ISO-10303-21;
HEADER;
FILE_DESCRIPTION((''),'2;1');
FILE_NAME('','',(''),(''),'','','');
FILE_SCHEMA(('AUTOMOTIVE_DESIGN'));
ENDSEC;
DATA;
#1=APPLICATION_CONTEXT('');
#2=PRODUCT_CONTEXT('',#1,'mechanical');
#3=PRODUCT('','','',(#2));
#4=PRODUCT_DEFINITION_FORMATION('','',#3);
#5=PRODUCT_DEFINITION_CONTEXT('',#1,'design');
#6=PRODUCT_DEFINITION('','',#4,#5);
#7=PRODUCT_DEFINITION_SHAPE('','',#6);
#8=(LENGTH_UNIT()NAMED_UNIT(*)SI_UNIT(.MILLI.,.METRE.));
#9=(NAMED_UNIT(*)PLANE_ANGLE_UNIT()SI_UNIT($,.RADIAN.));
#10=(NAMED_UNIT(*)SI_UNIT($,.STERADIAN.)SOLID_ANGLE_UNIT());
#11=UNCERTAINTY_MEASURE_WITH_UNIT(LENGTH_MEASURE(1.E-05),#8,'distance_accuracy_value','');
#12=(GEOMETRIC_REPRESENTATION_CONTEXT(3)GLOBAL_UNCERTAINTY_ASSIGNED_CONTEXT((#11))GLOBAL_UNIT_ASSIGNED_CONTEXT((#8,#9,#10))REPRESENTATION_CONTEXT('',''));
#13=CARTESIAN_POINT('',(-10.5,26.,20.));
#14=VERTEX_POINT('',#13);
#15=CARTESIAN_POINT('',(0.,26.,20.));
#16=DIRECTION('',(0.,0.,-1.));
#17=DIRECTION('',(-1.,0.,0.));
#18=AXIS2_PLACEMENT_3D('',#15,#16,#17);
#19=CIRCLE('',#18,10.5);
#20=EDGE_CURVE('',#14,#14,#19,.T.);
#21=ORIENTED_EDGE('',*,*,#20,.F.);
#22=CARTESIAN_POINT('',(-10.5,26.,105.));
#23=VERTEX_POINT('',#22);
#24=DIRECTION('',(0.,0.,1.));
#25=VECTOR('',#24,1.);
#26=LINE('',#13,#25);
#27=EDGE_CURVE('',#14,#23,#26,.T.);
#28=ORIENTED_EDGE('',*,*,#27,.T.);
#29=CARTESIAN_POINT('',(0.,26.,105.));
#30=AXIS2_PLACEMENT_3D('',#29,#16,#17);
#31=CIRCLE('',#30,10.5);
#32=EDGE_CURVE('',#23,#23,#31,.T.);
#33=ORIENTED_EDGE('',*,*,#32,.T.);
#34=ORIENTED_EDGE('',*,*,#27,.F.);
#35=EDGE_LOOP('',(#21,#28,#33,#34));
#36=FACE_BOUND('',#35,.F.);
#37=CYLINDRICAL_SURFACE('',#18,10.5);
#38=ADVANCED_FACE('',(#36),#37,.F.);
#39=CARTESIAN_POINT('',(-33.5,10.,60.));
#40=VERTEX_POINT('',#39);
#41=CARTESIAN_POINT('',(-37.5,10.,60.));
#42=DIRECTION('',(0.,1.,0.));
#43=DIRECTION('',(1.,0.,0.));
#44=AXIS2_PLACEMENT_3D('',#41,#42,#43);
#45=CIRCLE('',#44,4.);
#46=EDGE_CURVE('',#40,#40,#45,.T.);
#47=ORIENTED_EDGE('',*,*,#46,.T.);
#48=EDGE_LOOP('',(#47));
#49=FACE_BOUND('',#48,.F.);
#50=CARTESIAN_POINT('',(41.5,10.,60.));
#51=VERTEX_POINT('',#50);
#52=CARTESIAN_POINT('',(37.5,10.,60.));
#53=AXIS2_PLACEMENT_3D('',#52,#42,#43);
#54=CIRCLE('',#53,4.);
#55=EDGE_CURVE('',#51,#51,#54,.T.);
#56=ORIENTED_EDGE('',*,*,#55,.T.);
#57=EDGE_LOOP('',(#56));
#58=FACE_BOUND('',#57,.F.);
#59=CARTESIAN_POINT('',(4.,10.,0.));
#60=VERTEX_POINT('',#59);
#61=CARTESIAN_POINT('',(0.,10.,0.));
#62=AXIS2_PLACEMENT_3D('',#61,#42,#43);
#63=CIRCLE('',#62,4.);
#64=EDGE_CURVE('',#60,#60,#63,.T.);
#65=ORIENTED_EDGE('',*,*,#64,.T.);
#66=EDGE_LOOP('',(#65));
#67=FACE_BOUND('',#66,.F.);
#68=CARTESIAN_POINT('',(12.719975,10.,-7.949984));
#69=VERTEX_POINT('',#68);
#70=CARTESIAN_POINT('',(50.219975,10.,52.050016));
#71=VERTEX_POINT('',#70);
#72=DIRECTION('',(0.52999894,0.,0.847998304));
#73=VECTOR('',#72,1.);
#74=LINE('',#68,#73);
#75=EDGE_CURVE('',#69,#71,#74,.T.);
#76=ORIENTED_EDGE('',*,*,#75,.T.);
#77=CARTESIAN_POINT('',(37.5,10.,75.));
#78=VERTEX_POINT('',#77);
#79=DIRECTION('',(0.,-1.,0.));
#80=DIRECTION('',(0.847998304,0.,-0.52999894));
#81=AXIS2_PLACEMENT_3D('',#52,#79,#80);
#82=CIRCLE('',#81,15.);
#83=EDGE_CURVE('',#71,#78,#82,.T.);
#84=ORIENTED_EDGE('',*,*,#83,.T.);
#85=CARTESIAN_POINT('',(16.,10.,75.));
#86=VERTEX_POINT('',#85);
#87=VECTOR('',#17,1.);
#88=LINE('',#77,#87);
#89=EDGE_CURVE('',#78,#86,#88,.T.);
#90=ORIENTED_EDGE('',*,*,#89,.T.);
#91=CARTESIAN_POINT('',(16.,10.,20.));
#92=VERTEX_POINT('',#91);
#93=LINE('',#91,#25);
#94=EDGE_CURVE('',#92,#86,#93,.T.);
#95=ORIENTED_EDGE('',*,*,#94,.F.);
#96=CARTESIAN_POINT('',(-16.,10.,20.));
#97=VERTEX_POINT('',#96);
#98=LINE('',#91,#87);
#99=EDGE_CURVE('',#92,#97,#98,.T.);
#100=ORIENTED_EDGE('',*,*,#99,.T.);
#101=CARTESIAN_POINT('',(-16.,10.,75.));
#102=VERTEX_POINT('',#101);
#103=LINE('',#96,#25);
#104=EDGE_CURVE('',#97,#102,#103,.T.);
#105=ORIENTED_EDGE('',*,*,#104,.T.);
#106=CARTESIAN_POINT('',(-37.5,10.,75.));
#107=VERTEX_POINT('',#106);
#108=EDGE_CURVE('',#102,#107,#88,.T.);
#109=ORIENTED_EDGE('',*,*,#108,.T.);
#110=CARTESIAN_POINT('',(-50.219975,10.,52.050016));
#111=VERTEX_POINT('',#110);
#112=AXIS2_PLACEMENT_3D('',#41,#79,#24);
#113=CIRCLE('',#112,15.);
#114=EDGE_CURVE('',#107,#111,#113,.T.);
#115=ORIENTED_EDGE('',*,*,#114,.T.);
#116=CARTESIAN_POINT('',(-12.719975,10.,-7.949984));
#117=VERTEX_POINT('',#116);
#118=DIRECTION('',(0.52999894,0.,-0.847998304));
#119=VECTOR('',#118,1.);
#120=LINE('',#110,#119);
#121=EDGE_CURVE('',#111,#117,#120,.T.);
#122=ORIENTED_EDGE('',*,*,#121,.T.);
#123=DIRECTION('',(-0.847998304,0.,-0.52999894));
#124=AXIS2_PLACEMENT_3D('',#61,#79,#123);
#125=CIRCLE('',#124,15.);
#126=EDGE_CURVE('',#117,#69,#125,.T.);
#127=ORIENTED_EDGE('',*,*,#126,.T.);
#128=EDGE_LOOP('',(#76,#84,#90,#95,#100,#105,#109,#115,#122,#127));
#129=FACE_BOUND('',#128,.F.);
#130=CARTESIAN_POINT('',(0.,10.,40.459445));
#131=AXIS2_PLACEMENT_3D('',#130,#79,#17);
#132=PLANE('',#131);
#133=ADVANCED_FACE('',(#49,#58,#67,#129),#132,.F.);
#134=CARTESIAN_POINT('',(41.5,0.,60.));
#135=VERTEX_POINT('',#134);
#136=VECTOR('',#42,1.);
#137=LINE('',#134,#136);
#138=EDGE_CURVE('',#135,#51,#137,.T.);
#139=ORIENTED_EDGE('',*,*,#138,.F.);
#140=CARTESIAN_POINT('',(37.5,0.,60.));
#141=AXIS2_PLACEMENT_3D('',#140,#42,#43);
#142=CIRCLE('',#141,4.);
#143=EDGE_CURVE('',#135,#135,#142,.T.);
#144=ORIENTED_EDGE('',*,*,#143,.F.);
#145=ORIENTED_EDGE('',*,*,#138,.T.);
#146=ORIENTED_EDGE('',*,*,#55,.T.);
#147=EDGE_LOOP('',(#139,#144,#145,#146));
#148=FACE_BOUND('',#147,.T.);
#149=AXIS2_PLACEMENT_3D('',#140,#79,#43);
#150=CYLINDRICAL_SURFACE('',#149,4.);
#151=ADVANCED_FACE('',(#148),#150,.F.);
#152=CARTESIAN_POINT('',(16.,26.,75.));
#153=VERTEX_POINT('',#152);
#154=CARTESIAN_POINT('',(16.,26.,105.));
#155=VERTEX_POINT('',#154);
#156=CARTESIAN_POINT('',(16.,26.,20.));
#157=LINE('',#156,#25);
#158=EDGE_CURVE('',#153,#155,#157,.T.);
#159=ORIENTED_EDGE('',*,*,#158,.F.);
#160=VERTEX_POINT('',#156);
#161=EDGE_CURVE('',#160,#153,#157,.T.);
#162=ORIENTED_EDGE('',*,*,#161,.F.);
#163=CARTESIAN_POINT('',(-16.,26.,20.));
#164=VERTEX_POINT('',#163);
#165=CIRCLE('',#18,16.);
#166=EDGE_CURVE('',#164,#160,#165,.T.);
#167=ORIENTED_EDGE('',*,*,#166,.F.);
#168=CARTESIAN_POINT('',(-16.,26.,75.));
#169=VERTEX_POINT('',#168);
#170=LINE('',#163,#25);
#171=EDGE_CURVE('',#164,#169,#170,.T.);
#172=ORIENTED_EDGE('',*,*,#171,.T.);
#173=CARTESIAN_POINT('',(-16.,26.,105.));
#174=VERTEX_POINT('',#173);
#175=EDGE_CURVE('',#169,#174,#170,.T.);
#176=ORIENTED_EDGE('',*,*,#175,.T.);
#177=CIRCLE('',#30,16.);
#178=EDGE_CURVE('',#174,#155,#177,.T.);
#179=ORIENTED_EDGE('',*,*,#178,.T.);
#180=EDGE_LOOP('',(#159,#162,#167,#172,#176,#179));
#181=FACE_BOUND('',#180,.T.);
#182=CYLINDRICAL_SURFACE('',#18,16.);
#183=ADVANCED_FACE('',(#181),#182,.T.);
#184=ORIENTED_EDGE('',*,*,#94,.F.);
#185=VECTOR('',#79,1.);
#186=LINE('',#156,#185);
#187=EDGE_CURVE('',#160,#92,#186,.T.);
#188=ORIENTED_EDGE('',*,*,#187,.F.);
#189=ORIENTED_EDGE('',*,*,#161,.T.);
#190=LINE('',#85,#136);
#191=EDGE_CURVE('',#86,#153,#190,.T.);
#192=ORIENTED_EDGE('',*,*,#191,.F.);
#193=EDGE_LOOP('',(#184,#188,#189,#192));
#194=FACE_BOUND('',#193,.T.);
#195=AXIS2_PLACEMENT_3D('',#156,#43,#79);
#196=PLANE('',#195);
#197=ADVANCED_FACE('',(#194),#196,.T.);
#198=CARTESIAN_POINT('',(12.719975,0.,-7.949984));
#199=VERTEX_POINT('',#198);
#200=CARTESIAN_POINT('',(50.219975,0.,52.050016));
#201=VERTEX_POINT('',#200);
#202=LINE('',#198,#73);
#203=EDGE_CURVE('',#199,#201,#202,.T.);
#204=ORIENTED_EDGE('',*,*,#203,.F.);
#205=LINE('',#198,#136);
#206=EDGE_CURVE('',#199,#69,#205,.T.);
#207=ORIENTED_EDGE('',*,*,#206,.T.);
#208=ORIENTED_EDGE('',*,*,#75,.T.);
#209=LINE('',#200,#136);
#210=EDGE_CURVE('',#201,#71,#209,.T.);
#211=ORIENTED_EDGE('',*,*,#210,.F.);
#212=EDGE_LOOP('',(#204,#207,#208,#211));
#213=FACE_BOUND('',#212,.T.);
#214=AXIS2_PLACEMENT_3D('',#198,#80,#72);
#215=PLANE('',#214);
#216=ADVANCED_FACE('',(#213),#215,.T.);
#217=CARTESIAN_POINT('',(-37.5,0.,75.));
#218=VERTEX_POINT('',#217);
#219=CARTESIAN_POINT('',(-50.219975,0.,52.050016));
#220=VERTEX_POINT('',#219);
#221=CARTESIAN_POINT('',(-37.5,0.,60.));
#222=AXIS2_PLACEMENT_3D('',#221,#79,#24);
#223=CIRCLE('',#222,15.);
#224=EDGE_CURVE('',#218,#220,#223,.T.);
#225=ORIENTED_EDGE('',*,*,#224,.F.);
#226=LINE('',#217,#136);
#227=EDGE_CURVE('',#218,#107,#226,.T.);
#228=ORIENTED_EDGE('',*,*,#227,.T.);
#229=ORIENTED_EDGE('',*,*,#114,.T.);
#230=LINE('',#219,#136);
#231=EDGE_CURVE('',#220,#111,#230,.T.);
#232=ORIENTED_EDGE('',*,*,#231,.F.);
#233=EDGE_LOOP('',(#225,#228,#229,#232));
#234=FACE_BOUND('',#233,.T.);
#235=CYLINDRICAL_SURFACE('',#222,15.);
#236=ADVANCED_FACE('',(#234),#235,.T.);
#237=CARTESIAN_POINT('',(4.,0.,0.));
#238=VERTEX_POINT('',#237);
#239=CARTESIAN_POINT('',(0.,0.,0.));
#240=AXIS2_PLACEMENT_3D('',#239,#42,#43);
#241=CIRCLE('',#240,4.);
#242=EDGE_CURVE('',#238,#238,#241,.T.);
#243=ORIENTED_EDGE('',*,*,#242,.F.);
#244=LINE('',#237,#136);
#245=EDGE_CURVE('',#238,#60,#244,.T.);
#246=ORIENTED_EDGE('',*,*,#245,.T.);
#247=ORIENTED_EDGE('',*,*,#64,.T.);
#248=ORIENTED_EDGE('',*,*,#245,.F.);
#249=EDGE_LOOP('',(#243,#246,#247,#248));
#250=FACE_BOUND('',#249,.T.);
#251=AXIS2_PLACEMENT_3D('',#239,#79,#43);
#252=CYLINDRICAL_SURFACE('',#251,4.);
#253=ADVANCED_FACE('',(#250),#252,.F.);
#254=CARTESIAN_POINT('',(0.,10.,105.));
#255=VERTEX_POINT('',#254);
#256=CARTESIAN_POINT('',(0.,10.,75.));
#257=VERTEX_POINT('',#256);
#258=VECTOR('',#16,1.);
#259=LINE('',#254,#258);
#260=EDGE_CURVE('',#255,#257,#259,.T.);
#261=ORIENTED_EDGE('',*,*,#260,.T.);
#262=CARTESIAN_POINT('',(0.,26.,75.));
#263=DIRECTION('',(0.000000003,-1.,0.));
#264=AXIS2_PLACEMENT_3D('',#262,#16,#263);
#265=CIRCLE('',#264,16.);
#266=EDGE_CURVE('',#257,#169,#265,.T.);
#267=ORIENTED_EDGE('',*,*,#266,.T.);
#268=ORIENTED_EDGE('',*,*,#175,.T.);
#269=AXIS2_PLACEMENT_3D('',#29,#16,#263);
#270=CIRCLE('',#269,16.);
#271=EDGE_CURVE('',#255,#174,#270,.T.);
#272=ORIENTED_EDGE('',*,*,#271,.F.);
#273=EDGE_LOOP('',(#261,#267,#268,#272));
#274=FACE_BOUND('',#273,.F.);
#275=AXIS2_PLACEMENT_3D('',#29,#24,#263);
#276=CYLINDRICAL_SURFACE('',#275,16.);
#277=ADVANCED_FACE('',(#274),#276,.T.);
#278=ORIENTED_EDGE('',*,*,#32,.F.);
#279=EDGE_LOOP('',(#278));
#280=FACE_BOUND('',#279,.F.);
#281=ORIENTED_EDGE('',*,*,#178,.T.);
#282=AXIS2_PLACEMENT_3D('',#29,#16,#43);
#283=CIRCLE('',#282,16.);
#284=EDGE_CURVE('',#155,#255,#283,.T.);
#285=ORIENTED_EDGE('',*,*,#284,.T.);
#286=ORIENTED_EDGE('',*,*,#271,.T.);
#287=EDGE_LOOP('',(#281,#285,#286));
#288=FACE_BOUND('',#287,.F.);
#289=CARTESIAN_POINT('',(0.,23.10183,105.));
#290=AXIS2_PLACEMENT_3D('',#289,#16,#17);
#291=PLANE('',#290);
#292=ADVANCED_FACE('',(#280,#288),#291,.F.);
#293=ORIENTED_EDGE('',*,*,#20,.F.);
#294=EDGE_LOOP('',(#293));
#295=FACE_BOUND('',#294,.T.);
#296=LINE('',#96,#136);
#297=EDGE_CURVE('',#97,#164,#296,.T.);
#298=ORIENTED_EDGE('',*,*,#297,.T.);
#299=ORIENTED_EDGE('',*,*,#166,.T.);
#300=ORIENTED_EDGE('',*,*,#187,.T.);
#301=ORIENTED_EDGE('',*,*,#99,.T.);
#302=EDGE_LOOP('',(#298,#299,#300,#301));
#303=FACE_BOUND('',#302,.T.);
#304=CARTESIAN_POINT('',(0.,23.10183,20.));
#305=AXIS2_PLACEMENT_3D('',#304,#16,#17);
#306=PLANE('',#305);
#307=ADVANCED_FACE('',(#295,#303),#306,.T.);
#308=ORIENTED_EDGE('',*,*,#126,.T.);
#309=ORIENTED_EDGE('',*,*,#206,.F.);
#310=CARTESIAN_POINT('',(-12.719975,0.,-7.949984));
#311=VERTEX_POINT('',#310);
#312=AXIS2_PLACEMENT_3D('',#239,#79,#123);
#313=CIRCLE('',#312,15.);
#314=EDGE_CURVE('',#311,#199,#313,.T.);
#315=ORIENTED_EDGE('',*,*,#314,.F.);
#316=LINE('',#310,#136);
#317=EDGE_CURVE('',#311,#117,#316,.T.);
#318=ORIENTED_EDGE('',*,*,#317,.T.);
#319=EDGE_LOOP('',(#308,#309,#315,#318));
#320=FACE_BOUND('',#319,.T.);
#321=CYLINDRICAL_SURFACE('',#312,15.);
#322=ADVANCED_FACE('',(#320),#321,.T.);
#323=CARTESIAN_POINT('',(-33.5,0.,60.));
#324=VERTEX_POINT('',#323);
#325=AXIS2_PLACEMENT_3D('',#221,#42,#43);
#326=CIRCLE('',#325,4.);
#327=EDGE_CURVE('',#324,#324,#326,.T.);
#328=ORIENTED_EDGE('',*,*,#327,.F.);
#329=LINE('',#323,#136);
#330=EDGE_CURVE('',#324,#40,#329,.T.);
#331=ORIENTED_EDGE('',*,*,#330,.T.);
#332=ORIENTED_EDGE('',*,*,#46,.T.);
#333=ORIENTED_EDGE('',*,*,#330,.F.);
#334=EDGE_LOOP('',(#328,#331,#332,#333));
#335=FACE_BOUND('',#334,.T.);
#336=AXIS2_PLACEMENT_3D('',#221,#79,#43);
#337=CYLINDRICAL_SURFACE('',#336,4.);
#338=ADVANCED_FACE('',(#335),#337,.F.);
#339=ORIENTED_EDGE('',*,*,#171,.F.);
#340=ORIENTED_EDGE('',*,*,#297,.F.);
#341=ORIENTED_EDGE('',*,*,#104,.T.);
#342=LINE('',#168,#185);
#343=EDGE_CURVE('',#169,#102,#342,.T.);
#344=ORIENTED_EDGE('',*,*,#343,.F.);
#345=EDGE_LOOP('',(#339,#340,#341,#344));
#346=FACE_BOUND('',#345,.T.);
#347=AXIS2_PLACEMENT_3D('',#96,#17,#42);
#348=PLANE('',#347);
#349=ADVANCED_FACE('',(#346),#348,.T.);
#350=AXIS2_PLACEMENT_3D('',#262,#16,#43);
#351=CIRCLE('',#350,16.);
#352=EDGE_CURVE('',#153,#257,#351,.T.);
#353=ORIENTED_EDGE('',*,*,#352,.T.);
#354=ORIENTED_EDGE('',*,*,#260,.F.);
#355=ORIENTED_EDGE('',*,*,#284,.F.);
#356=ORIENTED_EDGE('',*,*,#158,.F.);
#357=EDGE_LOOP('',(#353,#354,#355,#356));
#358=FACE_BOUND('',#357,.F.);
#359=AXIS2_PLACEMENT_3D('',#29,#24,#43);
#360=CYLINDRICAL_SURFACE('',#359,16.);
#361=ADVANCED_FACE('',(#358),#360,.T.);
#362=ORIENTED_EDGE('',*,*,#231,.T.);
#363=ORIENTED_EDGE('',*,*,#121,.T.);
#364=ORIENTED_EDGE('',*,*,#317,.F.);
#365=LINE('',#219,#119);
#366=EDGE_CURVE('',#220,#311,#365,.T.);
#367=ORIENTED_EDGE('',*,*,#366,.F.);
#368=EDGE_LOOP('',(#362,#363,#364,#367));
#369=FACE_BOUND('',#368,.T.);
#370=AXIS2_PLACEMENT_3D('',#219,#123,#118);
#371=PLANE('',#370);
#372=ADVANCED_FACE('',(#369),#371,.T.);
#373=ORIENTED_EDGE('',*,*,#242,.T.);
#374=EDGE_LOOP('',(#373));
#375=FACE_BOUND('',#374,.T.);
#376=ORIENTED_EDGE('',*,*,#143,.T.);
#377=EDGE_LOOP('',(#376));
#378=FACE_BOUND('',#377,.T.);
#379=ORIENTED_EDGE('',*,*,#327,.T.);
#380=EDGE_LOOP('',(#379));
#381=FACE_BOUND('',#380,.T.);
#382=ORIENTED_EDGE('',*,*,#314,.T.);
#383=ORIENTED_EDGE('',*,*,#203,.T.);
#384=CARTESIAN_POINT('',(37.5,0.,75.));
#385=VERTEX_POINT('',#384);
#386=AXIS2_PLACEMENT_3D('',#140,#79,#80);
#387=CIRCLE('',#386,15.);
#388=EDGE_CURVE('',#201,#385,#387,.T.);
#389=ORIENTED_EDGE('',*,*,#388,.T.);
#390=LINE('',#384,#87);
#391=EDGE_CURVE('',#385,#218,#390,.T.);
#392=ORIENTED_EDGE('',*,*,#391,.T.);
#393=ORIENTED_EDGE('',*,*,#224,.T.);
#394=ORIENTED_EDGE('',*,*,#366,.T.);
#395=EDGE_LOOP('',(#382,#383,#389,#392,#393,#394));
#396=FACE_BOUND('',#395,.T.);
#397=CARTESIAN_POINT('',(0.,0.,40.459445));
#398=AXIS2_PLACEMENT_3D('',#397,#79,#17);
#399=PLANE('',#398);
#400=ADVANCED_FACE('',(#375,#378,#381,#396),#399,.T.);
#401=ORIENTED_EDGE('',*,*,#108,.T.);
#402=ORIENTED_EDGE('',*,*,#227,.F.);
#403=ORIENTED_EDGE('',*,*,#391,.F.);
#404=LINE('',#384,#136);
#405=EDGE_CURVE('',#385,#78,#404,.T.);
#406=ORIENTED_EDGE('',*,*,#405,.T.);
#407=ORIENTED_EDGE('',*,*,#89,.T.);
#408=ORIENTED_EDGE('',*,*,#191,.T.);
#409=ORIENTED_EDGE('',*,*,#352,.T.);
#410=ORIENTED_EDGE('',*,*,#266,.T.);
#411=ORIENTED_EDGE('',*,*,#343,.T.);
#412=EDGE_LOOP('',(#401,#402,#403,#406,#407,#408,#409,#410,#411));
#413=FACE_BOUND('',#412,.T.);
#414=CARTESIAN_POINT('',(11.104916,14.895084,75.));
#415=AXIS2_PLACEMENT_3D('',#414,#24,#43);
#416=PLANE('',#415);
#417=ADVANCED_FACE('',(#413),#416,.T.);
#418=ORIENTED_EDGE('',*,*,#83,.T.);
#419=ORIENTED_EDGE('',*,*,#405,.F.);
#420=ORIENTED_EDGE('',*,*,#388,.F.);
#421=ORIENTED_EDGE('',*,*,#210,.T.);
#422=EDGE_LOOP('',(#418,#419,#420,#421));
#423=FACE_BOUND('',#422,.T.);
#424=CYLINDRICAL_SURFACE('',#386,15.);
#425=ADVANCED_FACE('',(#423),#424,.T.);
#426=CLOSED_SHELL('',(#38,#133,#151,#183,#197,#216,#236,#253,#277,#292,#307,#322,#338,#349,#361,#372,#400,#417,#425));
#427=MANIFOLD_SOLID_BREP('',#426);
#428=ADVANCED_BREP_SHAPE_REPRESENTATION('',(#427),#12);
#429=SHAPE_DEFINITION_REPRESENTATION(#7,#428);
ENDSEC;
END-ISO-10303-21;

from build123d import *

# Parameters (mm, degrees)
SKETCH2_R               = 4
BOSS_EXTRUDE1_DEPTH     = 10
BOSS_EXTRUDE2_DEPTH     = 85
SKETCH5_R               = 10.5
CUT_EXTRUDE1_DEPTH      = 36
CUT_EXTRUDE1_DEPTH_BACK = 86
CUT_EXTRUDE2_DEPTH      = 30


with BuildPart() as part:
    # Sketch2 → Boss-Extrude1 (new body)
    with BuildSketch(Plane(origin=(0, 0, 0), x_dir=(1, 0, 0), z_dir=(0, 1, 0))):
        with BuildLine():
            Line((-50.21997456, -52.0500159), (-12.71997456, 7.9499841))
            ThreePointArc((-12.71997456, 7.9499841), (0, 15), (12.71997456, 7.9499841))
            Line((12.71997456, 7.9499841), (50.21997456, -52.0500159))
            ThreePointArc((50.21997456, -52.0500159), (50.619637219, -67.271527986), (37.5, -75))
            Line((37.5, -75), (-37.5, -75))
            ThreePointArc((-37.5, -75), (-50.619637219, -67.271527986), (-50.21997456, -52.0500159))
        make_face()
        Circle(SKETCH2_R, mode=Mode.SUBTRACT)
        with Locations((-37.5, -60)):
            Circle(SKETCH2_R, mode=Mode.SUBTRACT)
        with Locations((37.5, -60)):
            Circle(SKETCH2_R, mode=Mode.SUBTRACT)
    extrude(amount=BOSS_EXTRUDE1_DEPTH)

    # Sketch4 → Boss-Extrude2 (add)
    with BuildSketch(Plane.XY.offset(20)):
        with BuildLine():
            Line((16, 26), (16, 10))
            Line((16, 10), (-16, 10))
            Line((-16, 10), (-16, 26))
            ThreePointArc((-16, 26), (0, 42), (16, 26))
        make_face()
    extrude(amount=BOSS_EXTRUDE2_DEPTH)

    # Sketch5 → Cut-Extrude1 (cut, two sides)
    with BuildSketch(Plane(origin=(0, 0, 20), x_dir=(-1, 0, 0), z_dir=(0, 0, -1))) as cut_extrude1_sk:
        with Locations((0, 26)):
            Circle(SKETCH5_R)
    extrude(amount=CUT_EXTRUDE1_DEPTH, mode=Mode.SUBTRACT)
    extrude(cut_extrude1_sk.sketch, amount=-CUT_EXTRUDE1_DEPTH_BACK, mode=Mode.SUBTRACT)

    # Sketch6 → Cut-Extrude2 (cut)
    with BuildSketch(Plane.XY.offset(105)):
        with BuildLine():
            ThreePointArc((16, 26), (11.313708518, 14.68629152), (5.5e-08, 10))
            Line((5.5e-08, 10), (16, 10))
            Line((16, 10), (16, 26))
        make_face()
        with BuildLine():
            ThreePointArc((5.5e-08, 10), (-11.31370848, 14.686291482), (-16, 26))
            Line((-16, 26), (-16, 10))
            Line((-16, 10), (5.5e-08, 10))
        make_face()
    extrude(amount=-CUT_EXTRUDE2_DEPTH, mode=Mode.SUBTRACT)


solid = part.part
